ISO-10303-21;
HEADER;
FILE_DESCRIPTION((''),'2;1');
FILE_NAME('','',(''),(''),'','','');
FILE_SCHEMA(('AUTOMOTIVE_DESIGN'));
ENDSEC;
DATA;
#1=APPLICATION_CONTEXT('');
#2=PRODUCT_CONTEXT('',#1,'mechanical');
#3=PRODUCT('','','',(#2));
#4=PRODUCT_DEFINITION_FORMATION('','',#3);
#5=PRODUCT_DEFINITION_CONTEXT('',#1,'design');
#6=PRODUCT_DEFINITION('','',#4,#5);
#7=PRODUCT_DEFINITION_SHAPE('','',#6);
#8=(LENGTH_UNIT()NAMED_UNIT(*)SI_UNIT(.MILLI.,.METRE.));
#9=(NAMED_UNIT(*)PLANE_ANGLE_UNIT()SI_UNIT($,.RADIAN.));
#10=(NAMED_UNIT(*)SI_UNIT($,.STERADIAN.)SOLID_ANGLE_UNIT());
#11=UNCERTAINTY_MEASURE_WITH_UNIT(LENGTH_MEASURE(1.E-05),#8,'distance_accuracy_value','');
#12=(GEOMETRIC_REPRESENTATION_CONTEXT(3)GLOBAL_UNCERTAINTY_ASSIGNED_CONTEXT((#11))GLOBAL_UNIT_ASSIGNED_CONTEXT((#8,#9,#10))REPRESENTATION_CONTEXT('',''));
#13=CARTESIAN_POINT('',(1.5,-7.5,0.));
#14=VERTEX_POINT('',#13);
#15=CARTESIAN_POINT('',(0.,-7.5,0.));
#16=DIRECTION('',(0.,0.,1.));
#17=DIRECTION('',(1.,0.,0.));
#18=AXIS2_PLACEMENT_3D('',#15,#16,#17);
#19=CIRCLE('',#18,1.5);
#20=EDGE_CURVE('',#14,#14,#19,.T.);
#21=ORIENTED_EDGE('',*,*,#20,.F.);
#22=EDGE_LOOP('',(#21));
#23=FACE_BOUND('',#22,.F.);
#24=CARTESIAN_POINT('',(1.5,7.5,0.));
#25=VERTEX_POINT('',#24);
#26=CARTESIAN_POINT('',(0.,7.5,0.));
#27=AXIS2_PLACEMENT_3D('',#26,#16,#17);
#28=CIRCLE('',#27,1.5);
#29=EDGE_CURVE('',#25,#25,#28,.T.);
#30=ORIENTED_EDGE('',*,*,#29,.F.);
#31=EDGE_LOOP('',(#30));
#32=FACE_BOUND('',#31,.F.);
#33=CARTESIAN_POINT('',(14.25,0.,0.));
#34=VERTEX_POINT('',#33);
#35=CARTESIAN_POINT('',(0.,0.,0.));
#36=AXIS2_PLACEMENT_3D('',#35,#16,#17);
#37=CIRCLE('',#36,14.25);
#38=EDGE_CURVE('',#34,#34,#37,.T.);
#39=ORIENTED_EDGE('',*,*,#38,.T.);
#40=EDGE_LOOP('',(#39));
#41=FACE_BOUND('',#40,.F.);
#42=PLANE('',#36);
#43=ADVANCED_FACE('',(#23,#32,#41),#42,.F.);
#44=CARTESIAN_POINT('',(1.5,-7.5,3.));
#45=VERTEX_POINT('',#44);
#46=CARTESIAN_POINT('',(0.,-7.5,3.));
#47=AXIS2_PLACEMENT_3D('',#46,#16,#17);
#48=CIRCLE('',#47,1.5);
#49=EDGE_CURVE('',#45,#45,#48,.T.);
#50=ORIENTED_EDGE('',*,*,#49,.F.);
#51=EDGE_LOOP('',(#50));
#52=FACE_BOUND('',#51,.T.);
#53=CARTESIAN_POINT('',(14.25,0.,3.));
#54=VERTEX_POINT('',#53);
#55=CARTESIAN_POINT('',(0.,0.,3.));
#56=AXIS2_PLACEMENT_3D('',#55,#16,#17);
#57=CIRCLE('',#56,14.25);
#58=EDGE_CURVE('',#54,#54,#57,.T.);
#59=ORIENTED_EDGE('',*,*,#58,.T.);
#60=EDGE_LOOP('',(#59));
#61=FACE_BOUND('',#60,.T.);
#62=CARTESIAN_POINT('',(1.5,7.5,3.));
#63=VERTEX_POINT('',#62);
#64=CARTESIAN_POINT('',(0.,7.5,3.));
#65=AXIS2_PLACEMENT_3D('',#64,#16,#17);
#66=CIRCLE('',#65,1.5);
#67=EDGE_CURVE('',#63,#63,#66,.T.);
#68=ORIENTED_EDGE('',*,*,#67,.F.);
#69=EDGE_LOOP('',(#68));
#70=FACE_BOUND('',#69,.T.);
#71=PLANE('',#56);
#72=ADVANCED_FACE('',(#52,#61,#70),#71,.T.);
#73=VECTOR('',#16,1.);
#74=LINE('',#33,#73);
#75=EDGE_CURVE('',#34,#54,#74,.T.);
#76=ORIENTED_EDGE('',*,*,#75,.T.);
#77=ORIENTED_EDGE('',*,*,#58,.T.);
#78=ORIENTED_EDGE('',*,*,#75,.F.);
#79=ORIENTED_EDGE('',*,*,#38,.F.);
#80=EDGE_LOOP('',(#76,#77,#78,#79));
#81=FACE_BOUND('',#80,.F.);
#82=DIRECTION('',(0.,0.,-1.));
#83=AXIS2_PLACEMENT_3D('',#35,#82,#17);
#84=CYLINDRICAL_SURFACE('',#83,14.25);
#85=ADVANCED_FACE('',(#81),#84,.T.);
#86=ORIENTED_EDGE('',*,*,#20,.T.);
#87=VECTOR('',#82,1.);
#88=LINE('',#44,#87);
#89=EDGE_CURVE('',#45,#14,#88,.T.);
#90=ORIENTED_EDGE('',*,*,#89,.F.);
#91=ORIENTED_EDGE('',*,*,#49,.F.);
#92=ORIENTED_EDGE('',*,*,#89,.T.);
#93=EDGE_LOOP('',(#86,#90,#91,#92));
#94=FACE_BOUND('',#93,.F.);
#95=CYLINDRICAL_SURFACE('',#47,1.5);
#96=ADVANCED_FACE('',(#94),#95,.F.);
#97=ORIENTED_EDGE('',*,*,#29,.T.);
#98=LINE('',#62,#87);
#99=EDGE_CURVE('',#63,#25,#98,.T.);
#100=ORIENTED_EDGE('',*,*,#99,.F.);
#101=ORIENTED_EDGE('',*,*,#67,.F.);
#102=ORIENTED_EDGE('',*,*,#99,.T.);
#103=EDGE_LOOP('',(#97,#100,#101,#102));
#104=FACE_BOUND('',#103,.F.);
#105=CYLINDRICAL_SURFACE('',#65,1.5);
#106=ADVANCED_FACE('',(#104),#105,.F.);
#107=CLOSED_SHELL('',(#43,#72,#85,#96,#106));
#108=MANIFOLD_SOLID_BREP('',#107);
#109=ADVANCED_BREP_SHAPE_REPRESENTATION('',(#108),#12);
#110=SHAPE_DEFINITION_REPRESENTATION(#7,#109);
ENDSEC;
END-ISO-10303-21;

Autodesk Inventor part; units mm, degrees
ref_plane "YZ Plane" through (0, 0, 0) normal (1, 0, 0) x (0, 1, 0)
ref_plane "XZ Plane" through (0, 0, 0) normal (0, 1, 0) x (-1, 0, 0)
ref_plane "XY Plane" through (0, 0, 0) normal (0, 0, 1) x (1, 0, 0)
sketch "Sketch1" plane through (0, 0, 0) normal (0, 0, 1) x (1, 0, 0)
  circle A0 centre (0, 0) radius 14.25
  dimension "d0" = 28.5
extrude "Extrusion1" add sketch "Sketch1" along normal blind 3
sketch "Sketch2" plane through (0, 0, 3) normal (0, 0, 1) x (1, 0, 0)
  circle A0 centre (0, 0) radius 14.25 projected
  circle A1 centre (0, 7.5) radius 1.5
  circle A2 centre (0, -7.5) radius 1.5
  dimension "d31" = 3
  dimension "d33" = 3
  dimension "d34" = 15
  dimension "d35" = 7.5
extrude "Extrusion4" cut sketch "Sketch2" against normal blind 10 contours A1 | A2
properties part number "Aft Inner Endcap 26022513" material "Polycarbonate, Clear"
